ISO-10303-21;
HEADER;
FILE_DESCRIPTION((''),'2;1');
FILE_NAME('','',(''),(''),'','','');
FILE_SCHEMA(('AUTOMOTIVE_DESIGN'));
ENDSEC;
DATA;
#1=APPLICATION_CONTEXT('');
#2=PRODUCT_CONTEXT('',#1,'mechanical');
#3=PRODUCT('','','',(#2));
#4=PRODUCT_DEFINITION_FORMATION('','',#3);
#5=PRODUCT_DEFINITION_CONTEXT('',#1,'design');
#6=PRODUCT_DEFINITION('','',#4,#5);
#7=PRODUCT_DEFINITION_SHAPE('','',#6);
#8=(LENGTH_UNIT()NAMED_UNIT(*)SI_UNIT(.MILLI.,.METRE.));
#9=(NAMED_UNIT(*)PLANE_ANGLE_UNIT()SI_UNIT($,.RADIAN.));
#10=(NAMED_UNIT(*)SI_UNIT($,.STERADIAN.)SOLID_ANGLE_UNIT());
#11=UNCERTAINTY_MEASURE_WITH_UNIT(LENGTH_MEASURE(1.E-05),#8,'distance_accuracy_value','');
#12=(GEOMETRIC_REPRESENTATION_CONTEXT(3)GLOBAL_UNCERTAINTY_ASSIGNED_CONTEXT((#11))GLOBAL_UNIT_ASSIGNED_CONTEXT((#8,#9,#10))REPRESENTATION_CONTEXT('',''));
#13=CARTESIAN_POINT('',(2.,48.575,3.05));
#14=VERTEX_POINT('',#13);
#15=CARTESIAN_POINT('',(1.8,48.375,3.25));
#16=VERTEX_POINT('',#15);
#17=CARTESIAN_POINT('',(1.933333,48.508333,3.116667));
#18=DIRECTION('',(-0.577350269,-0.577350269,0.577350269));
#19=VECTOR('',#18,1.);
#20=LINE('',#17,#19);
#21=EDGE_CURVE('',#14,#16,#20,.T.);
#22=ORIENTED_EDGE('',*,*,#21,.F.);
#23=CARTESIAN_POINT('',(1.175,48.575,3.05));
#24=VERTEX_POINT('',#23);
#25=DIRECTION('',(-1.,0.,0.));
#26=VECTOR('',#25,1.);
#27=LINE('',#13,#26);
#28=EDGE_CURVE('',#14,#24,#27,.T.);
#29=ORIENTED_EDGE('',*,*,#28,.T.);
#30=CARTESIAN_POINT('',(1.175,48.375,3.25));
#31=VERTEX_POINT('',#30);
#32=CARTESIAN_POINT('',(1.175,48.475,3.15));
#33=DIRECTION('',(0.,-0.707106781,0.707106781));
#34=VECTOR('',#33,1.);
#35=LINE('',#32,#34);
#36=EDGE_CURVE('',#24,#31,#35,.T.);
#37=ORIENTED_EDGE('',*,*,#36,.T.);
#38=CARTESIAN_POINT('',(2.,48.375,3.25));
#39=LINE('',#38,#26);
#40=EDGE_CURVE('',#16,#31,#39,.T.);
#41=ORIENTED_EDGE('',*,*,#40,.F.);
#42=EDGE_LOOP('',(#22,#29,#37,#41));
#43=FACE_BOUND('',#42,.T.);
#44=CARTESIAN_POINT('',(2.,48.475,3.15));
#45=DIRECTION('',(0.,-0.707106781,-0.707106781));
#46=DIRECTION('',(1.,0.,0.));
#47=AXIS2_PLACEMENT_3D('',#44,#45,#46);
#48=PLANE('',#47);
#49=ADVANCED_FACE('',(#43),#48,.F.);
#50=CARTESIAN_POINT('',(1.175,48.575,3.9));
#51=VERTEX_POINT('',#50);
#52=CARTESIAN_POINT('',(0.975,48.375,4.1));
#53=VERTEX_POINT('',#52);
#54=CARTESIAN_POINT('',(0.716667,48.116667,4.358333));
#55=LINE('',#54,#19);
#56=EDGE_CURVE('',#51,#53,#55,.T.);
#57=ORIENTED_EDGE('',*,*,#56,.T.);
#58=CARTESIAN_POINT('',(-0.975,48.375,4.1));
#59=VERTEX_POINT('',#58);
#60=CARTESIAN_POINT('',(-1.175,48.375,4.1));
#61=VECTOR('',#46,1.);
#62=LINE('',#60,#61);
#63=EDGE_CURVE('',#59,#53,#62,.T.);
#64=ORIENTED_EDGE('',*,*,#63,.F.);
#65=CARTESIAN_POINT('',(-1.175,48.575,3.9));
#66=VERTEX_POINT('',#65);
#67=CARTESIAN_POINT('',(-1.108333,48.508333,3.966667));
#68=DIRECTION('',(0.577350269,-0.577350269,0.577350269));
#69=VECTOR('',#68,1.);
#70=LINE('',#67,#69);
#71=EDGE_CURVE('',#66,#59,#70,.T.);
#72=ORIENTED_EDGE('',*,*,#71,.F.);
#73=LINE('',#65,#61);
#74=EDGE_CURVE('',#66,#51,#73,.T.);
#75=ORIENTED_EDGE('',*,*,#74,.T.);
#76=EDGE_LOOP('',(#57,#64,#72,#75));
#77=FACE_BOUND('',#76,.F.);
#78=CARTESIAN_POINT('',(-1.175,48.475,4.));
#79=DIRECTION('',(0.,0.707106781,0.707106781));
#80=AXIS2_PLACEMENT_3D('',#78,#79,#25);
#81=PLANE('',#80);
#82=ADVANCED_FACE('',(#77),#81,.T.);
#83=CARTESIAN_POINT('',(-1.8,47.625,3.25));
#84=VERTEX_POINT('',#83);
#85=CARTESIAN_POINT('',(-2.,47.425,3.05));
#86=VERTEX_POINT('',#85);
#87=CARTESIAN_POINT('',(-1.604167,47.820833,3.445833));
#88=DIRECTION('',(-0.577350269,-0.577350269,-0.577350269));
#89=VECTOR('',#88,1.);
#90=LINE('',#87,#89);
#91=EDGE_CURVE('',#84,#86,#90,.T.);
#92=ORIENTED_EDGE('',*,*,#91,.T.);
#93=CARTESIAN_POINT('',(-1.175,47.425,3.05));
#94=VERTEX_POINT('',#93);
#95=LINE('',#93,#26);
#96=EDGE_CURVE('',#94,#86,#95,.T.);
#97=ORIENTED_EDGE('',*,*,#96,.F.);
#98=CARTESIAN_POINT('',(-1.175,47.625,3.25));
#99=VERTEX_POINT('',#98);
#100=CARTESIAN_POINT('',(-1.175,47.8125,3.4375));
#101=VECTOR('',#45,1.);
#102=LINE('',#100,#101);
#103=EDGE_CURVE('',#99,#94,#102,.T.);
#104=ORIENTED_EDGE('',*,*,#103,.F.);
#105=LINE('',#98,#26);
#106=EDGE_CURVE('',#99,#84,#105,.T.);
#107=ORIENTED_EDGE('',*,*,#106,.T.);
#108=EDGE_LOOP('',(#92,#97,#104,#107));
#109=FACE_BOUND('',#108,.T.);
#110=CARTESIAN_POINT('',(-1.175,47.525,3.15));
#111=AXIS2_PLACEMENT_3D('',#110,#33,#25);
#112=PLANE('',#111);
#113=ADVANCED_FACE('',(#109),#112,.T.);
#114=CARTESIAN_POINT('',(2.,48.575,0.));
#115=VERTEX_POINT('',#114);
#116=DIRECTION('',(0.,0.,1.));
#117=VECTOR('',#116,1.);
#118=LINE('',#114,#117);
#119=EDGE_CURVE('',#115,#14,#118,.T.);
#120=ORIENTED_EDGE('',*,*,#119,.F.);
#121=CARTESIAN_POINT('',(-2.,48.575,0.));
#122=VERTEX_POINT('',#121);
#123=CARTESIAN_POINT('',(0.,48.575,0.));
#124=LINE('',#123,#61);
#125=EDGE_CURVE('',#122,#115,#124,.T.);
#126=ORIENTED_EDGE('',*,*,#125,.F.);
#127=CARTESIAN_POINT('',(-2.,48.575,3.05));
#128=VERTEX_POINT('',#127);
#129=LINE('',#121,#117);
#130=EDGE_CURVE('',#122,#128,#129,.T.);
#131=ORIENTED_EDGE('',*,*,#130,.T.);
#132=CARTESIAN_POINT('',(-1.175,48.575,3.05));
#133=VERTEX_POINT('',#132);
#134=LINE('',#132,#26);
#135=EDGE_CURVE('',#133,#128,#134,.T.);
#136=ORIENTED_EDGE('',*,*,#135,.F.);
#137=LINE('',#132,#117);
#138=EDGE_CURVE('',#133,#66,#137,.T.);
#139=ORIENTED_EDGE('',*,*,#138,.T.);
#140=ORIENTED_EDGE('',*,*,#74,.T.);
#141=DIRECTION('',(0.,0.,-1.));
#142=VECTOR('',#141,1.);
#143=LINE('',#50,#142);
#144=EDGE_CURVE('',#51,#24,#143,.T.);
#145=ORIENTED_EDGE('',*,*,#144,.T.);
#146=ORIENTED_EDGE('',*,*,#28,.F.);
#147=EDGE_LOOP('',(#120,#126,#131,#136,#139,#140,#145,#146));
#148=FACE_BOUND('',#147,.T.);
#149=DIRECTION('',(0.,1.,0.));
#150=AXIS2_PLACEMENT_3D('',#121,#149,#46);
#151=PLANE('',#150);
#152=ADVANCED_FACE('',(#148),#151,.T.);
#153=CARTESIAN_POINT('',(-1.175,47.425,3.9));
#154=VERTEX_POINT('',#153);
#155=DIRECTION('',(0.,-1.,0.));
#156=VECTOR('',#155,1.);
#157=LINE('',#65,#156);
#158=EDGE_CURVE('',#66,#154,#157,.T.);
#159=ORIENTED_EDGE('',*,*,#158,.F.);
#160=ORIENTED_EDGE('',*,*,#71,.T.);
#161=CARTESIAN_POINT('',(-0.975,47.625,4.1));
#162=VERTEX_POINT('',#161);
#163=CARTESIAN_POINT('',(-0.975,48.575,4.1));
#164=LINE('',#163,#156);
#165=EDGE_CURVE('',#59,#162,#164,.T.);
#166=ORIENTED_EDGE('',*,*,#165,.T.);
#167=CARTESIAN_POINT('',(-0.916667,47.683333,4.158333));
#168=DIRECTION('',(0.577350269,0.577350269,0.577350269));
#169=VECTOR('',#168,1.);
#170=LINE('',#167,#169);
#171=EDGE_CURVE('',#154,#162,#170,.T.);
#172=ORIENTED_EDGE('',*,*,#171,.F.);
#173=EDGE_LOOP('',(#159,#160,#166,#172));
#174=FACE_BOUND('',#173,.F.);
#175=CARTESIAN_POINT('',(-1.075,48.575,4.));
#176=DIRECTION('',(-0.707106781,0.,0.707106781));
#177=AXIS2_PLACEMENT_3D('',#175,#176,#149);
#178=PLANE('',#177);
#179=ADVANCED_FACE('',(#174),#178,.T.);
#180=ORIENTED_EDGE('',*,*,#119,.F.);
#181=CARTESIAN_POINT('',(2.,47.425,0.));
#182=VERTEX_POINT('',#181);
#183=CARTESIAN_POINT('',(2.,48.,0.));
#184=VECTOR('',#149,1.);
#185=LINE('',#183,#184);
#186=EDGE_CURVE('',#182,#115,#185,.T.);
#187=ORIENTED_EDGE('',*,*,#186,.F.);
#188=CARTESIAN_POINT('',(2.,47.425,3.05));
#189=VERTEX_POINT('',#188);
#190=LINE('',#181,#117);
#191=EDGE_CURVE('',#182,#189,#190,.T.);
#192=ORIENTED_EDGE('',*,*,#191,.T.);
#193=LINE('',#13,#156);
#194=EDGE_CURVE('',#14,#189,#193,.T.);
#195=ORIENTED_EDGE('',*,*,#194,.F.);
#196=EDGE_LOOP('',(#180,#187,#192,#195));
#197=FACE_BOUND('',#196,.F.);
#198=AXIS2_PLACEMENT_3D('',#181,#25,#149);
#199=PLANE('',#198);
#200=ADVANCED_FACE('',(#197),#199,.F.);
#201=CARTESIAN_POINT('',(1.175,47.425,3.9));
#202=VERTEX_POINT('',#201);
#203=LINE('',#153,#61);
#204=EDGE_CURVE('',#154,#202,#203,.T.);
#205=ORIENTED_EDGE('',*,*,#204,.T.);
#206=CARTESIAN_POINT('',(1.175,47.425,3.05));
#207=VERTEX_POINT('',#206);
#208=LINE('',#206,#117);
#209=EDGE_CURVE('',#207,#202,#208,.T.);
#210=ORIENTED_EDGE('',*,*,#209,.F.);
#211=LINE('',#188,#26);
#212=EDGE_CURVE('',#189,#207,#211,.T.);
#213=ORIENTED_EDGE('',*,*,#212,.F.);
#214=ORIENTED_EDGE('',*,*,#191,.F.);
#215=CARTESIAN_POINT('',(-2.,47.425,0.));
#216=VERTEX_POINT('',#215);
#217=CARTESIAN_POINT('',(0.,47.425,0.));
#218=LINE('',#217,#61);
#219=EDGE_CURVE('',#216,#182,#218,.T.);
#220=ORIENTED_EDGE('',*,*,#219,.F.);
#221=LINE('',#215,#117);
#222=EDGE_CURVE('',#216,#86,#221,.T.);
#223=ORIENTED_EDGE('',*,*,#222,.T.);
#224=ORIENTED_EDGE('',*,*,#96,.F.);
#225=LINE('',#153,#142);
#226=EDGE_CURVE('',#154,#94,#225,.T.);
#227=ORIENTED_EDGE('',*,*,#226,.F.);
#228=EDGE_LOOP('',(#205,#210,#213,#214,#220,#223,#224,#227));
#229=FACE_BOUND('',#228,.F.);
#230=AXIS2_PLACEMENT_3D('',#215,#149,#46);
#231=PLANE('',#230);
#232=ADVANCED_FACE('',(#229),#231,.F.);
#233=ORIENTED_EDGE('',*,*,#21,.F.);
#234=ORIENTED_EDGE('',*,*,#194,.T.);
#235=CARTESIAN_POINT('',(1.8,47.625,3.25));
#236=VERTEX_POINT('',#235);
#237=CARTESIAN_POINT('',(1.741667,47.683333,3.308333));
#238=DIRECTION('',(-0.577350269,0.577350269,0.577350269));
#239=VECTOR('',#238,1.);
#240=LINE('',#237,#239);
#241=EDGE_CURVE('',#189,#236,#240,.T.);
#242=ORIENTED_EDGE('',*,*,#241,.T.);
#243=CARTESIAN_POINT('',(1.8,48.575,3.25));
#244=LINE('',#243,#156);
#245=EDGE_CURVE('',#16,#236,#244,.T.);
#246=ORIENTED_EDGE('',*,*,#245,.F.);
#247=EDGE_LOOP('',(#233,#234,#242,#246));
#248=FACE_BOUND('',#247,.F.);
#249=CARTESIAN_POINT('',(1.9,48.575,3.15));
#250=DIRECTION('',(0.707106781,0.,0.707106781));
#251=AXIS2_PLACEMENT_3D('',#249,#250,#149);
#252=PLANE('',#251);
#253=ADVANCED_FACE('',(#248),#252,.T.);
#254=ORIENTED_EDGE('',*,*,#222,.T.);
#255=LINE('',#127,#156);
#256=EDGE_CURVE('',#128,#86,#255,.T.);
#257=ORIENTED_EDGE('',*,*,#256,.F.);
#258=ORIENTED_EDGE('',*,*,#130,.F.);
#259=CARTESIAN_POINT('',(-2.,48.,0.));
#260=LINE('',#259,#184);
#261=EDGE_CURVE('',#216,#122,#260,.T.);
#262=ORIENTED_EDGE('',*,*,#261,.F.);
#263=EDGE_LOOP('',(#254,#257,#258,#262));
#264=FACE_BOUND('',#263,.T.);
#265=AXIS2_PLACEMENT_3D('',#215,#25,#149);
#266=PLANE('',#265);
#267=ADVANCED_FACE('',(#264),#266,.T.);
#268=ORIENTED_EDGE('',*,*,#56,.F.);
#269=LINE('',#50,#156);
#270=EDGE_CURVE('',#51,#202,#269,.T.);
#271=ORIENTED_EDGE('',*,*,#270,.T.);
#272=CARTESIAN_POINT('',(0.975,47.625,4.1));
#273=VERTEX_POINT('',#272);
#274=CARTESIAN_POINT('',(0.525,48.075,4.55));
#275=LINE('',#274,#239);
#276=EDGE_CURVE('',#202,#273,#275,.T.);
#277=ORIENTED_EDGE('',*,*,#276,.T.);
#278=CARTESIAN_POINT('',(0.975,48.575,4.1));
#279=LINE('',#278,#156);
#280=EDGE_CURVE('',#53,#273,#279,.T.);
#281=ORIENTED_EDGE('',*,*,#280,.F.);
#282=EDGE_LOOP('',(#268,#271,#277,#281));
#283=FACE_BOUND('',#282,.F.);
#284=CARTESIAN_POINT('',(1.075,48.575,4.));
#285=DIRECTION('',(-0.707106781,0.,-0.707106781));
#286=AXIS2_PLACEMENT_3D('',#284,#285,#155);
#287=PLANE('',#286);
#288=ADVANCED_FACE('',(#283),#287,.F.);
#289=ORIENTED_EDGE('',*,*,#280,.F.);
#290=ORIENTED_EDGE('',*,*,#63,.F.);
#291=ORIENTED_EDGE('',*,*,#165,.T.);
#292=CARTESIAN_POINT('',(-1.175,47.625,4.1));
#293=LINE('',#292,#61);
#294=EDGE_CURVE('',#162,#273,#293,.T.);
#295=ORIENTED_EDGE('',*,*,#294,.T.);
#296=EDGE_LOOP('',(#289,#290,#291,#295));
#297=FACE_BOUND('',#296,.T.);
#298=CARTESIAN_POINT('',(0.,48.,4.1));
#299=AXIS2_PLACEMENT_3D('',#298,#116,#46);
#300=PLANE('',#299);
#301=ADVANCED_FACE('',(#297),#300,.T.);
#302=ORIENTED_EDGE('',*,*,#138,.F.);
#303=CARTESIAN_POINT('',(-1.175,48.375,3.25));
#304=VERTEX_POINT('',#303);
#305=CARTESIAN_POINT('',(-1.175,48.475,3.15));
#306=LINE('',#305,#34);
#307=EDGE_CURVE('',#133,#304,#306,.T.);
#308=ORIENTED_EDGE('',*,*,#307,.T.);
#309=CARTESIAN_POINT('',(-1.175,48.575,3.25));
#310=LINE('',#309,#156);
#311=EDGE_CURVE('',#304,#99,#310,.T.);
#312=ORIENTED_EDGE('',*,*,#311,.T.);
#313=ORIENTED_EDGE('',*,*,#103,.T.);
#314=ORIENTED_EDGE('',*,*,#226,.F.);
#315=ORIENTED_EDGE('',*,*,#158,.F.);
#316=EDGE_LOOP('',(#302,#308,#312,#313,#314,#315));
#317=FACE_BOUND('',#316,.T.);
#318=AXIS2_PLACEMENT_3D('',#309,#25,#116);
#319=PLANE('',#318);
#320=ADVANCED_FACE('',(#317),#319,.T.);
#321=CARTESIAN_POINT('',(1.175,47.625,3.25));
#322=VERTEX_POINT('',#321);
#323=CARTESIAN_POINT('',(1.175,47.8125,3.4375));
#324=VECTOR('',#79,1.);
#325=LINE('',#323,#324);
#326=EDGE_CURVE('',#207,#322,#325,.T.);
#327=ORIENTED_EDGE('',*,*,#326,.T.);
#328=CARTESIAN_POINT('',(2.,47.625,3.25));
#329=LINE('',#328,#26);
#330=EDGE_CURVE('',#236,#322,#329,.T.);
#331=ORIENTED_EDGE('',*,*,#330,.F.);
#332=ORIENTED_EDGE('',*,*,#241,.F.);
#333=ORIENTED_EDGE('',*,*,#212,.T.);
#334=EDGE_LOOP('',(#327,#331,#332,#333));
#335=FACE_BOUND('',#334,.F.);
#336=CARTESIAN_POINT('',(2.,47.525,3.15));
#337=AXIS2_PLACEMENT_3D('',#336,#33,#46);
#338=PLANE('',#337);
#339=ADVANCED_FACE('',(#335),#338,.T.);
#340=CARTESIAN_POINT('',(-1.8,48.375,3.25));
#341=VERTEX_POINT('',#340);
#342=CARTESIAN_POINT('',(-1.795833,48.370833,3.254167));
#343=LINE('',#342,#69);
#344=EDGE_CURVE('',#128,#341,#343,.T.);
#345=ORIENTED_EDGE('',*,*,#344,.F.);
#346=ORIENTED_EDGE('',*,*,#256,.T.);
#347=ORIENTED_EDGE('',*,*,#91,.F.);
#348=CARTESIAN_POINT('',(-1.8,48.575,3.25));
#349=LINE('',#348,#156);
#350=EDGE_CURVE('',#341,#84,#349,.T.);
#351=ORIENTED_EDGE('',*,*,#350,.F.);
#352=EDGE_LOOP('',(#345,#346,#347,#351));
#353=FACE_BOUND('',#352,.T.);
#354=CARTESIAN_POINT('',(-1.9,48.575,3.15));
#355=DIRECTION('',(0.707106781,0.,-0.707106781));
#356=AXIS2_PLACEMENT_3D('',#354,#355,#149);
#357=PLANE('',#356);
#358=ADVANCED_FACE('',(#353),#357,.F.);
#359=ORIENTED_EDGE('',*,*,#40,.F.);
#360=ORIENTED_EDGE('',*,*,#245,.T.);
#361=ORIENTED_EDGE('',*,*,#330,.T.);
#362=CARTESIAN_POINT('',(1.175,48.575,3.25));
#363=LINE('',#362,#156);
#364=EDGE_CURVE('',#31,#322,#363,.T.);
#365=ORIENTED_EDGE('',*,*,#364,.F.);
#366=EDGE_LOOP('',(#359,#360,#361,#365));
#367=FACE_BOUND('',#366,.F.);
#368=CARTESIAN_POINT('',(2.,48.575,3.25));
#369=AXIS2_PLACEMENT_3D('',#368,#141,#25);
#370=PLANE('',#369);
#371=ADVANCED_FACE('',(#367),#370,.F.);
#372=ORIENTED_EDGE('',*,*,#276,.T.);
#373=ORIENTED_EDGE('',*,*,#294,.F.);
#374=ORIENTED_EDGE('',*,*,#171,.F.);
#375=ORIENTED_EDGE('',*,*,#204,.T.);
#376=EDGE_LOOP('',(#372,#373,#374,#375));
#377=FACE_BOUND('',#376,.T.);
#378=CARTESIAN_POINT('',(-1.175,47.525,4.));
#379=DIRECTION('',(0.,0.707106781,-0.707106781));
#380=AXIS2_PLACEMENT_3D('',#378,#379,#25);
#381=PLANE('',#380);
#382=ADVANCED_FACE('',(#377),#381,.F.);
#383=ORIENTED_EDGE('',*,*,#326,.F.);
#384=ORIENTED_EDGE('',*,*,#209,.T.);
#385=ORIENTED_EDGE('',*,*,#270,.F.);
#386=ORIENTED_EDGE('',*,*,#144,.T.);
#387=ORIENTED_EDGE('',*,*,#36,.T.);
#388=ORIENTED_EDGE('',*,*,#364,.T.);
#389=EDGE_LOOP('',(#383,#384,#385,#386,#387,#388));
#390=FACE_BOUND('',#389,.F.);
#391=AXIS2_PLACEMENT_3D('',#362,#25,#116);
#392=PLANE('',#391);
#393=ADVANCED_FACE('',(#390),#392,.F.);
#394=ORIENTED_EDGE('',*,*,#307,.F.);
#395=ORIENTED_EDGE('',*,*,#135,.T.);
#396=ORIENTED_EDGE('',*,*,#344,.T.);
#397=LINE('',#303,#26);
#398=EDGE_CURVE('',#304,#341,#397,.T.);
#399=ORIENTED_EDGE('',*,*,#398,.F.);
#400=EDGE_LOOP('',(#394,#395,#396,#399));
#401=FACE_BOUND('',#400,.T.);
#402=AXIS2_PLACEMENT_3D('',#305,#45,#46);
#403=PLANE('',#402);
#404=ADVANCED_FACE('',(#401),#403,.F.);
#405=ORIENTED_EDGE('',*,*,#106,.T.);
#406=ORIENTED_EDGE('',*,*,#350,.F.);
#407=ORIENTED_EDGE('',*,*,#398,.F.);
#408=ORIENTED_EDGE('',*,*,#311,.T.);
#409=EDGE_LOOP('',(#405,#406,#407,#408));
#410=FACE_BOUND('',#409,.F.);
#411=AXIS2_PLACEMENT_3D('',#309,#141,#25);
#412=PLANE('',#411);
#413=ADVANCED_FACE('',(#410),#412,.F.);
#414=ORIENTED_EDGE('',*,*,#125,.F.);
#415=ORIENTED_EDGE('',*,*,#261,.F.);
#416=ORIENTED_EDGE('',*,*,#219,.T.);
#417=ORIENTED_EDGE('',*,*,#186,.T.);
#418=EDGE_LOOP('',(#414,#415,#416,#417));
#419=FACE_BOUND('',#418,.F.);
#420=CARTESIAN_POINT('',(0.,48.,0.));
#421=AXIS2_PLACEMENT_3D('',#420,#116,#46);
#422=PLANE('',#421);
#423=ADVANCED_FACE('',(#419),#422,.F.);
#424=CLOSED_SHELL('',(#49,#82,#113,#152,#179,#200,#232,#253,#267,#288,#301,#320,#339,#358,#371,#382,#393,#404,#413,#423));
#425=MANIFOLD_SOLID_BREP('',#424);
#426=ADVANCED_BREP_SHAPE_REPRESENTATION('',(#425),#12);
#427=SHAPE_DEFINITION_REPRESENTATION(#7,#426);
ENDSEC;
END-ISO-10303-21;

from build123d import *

# Parameters (mm, degrees)
SKETCH008_W     = 4
SKETCH008_H     = 1.15
PAD005_DEPTH    = 4.1
SKETCH009_W     = 0.825
SKETCH009_H     = 0.85
POCKET002_DEPTH = 5
CHAMFER005_SIZE = 0.2


with BuildPart() as part:
    # Sketch008 → Pad005 (new body)
    with BuildSketch(Plane.XY):
        Rectangle(SKETCH008_W, SKETCH008_H)
    extrude(amount=PAD005_DEPTH)

    # Sketch009 (on Face1 of Pad005) → Pocket002 (cut)
    with BuildSketch(Plane(origin=(0, 0.575, 0), x_dir=(-1, 0, 0), z_dir=(0, 1, 0))):
        with Locations((-1.5875, 3.675)):
            Rectangle(SKETCH009_W, SKETCH009_H)
        with Locations((1.5875, 3.675)):
            Rectangle(SKETCH009_W, SKETCH009_H)
    extrude(amount=-POCKET002_DEPTH, mode=Mode.SUBTRACT)

    # Chamfer005
    chamfer005_edges = [part.edges().sort_by_distance(p)[0] for p in [
        (0, 0.575, 4.1),
        (0, -0.575, 4.1),
        (1.5875, 0.575, 3.25),
        (-1.5875, 0.575, 3.25),
        (-1.5875, -0.575, 3.25),
        (1.5875, -0.575, 3.25),
        (2, 0, 3.25),
        (-2, 0, 3.25),
        (1.175, 0, 4.1),
        (-1.175, 0, 4.1),
    ]]
    chamfer(chamfer005_edges, length=CHAMFER005_SIZE)


with BuildPart() as part_1:
    # Body042 placement: moved
    add(part.part.moved(Location((0, 48, 0))))


solid = part_1.part
